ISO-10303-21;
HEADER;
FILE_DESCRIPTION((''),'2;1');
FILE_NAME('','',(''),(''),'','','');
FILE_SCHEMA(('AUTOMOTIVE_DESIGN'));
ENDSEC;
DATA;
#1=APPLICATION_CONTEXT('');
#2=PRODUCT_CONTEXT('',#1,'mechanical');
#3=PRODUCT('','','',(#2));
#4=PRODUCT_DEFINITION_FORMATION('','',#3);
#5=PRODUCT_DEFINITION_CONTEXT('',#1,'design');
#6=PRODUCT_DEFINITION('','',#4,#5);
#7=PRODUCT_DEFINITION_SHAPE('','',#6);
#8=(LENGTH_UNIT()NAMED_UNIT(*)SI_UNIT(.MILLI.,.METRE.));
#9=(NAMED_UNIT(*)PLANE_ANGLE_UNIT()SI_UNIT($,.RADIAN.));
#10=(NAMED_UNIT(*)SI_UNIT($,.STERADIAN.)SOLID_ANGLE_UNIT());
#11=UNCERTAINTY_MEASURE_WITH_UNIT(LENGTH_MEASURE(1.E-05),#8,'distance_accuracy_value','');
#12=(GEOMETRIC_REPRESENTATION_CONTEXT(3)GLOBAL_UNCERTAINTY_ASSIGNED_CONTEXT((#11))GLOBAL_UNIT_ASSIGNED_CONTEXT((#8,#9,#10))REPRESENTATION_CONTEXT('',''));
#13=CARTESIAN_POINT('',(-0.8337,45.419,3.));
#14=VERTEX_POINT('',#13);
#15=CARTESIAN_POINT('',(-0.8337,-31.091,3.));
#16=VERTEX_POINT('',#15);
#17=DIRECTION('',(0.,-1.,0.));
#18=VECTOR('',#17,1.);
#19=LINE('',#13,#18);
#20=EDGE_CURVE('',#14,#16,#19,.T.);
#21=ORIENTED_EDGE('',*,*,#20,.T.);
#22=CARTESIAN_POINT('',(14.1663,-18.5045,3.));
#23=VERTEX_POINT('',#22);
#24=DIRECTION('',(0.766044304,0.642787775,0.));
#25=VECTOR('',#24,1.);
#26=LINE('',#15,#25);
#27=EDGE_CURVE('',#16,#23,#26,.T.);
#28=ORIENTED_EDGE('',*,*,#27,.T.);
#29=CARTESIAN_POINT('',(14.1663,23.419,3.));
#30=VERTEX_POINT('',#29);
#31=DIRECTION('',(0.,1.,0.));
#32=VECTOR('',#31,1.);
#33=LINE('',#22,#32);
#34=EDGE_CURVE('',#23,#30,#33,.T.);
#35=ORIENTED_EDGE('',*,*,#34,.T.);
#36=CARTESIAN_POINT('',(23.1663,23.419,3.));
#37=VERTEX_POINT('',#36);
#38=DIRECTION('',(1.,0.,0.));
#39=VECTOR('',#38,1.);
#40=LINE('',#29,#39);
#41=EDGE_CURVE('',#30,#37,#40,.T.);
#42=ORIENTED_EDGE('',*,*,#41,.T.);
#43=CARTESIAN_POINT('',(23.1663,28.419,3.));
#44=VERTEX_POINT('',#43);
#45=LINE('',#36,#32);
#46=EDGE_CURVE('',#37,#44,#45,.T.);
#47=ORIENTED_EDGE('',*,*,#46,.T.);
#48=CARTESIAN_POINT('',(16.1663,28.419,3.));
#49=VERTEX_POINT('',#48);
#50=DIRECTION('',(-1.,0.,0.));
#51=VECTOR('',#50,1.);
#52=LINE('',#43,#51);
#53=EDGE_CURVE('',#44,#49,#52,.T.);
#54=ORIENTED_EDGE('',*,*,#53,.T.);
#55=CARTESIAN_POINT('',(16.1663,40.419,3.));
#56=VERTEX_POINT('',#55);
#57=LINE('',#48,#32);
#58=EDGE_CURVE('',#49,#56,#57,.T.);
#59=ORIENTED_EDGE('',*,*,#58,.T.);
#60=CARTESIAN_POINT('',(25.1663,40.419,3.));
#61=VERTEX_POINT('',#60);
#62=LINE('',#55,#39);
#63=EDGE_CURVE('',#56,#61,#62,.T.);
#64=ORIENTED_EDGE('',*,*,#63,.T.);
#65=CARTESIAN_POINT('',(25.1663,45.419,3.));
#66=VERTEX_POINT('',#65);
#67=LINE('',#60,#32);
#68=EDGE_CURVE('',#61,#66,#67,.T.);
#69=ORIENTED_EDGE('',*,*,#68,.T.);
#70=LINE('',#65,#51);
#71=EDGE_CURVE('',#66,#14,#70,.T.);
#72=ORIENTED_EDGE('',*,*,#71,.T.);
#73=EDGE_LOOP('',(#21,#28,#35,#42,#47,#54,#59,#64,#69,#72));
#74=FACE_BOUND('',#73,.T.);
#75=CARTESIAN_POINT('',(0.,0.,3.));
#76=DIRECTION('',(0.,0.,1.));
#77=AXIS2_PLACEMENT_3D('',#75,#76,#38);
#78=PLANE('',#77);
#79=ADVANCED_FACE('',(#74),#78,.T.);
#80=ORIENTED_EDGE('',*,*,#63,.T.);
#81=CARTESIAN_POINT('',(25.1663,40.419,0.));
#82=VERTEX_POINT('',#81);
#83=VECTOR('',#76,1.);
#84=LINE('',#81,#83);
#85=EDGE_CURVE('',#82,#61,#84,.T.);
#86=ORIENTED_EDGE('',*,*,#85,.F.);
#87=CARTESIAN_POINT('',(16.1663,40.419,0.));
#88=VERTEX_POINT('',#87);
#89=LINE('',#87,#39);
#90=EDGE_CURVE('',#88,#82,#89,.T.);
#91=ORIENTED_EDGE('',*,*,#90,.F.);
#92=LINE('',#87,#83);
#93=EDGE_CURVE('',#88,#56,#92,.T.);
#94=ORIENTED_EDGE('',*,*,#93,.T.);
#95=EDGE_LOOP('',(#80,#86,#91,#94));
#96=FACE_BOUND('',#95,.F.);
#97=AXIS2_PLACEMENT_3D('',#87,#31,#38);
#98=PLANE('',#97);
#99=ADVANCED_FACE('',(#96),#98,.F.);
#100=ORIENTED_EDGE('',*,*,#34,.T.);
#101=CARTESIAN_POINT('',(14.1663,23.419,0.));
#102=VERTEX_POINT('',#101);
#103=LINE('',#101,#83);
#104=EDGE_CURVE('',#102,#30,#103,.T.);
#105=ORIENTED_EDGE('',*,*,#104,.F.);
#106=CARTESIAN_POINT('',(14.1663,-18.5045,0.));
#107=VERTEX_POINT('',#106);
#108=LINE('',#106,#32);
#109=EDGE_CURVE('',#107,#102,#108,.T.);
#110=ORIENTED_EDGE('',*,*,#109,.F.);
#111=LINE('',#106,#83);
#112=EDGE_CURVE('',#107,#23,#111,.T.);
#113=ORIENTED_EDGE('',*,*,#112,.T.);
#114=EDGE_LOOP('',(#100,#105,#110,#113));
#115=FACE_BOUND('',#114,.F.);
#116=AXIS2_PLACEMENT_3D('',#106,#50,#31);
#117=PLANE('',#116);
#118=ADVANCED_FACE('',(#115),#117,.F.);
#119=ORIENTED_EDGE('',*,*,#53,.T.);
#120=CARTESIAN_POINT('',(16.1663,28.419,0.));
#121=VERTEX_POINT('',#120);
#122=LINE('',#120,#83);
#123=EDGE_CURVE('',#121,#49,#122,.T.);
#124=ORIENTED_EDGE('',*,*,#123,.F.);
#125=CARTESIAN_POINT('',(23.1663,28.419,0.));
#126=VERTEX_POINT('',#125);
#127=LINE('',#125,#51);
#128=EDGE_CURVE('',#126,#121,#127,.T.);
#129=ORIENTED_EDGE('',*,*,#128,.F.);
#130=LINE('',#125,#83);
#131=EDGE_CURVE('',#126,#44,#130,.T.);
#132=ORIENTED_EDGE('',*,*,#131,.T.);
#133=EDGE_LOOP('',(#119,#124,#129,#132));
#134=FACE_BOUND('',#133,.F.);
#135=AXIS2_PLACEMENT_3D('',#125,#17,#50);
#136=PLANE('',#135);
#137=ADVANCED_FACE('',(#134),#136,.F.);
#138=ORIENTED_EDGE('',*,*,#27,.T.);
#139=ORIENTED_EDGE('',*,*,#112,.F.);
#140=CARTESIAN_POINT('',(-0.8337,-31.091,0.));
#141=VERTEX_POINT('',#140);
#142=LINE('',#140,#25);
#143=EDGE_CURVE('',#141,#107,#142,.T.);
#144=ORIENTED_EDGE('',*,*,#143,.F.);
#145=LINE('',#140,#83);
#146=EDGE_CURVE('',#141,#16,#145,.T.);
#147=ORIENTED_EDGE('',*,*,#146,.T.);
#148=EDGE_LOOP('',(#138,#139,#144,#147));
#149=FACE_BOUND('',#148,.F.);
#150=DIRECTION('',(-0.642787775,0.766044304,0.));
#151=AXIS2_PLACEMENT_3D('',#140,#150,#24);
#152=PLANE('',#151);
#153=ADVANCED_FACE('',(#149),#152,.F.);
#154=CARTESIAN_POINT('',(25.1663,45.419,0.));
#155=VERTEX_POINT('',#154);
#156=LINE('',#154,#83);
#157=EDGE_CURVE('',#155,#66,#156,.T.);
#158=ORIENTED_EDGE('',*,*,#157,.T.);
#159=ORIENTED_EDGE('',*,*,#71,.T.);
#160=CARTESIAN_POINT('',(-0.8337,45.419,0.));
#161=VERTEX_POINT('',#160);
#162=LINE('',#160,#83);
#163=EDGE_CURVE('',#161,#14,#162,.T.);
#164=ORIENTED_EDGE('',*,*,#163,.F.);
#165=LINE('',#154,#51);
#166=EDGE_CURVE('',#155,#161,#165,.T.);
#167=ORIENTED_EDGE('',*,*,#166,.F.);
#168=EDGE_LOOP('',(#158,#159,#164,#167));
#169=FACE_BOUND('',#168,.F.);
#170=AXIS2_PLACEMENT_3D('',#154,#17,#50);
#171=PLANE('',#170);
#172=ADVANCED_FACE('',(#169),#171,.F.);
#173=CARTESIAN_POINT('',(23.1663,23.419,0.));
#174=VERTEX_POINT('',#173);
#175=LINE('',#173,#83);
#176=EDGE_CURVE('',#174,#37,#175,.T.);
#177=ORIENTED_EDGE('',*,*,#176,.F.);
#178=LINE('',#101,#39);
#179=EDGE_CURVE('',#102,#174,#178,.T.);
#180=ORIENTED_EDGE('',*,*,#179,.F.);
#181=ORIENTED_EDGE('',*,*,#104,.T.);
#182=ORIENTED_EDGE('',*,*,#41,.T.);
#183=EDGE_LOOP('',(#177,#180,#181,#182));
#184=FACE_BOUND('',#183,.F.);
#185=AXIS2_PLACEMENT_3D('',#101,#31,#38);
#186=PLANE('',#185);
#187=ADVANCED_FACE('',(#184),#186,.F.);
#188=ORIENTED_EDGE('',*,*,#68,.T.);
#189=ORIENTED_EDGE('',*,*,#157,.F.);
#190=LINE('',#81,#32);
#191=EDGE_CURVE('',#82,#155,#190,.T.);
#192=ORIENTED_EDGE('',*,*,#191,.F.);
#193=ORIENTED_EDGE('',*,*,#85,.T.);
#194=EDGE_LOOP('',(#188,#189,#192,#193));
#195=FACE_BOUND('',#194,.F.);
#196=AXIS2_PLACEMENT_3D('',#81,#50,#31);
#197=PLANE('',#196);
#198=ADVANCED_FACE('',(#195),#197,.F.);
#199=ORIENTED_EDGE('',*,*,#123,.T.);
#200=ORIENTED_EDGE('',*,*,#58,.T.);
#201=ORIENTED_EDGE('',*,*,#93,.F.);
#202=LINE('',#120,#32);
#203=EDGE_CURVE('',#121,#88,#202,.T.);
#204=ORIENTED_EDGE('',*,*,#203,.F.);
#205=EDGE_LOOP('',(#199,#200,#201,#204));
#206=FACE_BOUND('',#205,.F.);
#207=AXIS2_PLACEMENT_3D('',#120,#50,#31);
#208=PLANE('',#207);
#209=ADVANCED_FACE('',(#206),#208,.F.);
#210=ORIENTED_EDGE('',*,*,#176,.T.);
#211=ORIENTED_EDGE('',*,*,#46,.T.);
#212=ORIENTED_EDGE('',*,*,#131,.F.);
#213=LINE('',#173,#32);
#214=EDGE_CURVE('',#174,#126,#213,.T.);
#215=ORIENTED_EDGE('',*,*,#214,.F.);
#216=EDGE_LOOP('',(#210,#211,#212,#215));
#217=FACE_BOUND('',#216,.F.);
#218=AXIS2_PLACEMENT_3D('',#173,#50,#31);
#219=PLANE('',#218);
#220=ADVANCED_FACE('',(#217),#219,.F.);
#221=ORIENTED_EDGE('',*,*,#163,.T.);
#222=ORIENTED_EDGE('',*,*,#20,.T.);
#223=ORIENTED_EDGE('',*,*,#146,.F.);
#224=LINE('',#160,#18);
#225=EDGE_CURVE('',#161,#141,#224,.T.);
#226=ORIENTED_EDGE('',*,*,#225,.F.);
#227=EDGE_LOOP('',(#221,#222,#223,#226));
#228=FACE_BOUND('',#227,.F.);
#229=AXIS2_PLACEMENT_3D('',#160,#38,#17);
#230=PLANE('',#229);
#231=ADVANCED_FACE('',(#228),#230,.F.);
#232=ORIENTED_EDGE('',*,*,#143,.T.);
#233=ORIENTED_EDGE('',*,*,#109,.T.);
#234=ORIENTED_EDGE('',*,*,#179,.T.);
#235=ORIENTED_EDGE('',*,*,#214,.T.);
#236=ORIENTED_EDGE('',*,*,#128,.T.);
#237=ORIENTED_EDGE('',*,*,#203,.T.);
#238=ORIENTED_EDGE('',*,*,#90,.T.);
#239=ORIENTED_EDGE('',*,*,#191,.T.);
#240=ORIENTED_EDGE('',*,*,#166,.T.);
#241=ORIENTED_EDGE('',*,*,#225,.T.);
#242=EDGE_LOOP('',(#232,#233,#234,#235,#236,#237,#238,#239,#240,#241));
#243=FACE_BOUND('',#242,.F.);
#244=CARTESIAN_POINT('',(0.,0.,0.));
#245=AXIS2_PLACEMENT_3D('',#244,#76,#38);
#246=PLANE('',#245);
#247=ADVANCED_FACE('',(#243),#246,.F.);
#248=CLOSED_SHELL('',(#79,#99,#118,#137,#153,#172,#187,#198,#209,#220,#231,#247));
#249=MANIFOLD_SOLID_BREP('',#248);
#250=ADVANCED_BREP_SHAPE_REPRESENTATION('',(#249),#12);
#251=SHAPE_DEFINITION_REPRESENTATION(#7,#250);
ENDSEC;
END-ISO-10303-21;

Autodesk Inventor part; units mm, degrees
ref_plane "YZ Plane" through (0, 0, 0) normal (1, 0, 0) x (0, 1, 0)
ref_plane "XZ Plane" through (0, 0, 0) normal (0, 1, 0) x (-1, 0, 0)
ref_plane "XY Plane" through (0, 0, 0) normal (0, 0, 1) x (1, 0, 0)
sketch "Sketch2" plane through (0, 0, 0) normal (0, 0, 1) x (1, 0, 0)
  line L0 (-0.8337, 45.419) -> (-0.8337, -31.091)
  line L1 (-0.8337, -31.091) -> (14.1663, -18.5045)
  line L2 (14.1663, -18.5045) -> (14.1663, 23.419)
  line L3 (14.1663, 23.419) -> (23.1663, 23.419)
  line L4 (23.1663, 23.419) -> (23.1663, 28.419)
  line L5 (23.1663, 28.419) -> (16.1663, 28.419)
  line L6 (16.1663, 28.419) -> (16.1663, 40.419)
  line L7 (16.1663, 40.419) -> (25.1663, 40.419)
  line L8 (25.1663, 40.419) -> (25.1663, 45.419)
  line L9 (25.1663, 45.419) -> (-0.8337, 45.419)
  line L10 (16.1663, 28.419) -> (14.1663, 28.419) construction
  line L11 (1.3388, 42.919) -> (15.1663, 42.919)
  line L12 (15.1663, 42.919) -> (15.1663, 41.2824)
  line L13 (15.1663, 41.2824) -> (1.3388, 41.2824)
  line L14 (1.3388, 41.2824) -> (1.3388, 42.919)
  line L15 (11.0785, 23.419) -> (12.1663, 23.419)
  line L16 (12.1663, 23.419) -> (12.1663, -12.6156)
  line L17 (12.1663, -12.6156) -> (11.0785, -12.6156)
  line L18 (11.0785, -12.6156) -> (11.0785, 23.419)
  line L19 (2.2805, -14.4359) -> (12.1663, -14.4359)
  line L20 (12.1663, -14.4359) -> (12.1663, -16.121)
  line L21 (12.1663, -16.121) -> (2.2805, -16.121)
  line L22 (2.2805, -16.121) -> (2.2805, -14.4359)
  dimension "d17" = 2
  dimension "d18" = 7
  dimension "d19" = 9
  dimension "d20" = 5
  dimension "d21" = 5
  dimension "d22" = 15
  dimension "d23" = 12
  dimension "d24" = 2
  dimension "d25" = 46.9235
  dimension "d26" = 130
extrude "Extrusion1" add sketch "Sketch2" along normal blind 3 contours L9 L8 L7 L6 L5 L4 L3 L2 L1 L0 | L11 L12 L13 L14 | L15 L16 L17 L18 | L19 L20 L21 L22
properties part number "k2_t_side"
